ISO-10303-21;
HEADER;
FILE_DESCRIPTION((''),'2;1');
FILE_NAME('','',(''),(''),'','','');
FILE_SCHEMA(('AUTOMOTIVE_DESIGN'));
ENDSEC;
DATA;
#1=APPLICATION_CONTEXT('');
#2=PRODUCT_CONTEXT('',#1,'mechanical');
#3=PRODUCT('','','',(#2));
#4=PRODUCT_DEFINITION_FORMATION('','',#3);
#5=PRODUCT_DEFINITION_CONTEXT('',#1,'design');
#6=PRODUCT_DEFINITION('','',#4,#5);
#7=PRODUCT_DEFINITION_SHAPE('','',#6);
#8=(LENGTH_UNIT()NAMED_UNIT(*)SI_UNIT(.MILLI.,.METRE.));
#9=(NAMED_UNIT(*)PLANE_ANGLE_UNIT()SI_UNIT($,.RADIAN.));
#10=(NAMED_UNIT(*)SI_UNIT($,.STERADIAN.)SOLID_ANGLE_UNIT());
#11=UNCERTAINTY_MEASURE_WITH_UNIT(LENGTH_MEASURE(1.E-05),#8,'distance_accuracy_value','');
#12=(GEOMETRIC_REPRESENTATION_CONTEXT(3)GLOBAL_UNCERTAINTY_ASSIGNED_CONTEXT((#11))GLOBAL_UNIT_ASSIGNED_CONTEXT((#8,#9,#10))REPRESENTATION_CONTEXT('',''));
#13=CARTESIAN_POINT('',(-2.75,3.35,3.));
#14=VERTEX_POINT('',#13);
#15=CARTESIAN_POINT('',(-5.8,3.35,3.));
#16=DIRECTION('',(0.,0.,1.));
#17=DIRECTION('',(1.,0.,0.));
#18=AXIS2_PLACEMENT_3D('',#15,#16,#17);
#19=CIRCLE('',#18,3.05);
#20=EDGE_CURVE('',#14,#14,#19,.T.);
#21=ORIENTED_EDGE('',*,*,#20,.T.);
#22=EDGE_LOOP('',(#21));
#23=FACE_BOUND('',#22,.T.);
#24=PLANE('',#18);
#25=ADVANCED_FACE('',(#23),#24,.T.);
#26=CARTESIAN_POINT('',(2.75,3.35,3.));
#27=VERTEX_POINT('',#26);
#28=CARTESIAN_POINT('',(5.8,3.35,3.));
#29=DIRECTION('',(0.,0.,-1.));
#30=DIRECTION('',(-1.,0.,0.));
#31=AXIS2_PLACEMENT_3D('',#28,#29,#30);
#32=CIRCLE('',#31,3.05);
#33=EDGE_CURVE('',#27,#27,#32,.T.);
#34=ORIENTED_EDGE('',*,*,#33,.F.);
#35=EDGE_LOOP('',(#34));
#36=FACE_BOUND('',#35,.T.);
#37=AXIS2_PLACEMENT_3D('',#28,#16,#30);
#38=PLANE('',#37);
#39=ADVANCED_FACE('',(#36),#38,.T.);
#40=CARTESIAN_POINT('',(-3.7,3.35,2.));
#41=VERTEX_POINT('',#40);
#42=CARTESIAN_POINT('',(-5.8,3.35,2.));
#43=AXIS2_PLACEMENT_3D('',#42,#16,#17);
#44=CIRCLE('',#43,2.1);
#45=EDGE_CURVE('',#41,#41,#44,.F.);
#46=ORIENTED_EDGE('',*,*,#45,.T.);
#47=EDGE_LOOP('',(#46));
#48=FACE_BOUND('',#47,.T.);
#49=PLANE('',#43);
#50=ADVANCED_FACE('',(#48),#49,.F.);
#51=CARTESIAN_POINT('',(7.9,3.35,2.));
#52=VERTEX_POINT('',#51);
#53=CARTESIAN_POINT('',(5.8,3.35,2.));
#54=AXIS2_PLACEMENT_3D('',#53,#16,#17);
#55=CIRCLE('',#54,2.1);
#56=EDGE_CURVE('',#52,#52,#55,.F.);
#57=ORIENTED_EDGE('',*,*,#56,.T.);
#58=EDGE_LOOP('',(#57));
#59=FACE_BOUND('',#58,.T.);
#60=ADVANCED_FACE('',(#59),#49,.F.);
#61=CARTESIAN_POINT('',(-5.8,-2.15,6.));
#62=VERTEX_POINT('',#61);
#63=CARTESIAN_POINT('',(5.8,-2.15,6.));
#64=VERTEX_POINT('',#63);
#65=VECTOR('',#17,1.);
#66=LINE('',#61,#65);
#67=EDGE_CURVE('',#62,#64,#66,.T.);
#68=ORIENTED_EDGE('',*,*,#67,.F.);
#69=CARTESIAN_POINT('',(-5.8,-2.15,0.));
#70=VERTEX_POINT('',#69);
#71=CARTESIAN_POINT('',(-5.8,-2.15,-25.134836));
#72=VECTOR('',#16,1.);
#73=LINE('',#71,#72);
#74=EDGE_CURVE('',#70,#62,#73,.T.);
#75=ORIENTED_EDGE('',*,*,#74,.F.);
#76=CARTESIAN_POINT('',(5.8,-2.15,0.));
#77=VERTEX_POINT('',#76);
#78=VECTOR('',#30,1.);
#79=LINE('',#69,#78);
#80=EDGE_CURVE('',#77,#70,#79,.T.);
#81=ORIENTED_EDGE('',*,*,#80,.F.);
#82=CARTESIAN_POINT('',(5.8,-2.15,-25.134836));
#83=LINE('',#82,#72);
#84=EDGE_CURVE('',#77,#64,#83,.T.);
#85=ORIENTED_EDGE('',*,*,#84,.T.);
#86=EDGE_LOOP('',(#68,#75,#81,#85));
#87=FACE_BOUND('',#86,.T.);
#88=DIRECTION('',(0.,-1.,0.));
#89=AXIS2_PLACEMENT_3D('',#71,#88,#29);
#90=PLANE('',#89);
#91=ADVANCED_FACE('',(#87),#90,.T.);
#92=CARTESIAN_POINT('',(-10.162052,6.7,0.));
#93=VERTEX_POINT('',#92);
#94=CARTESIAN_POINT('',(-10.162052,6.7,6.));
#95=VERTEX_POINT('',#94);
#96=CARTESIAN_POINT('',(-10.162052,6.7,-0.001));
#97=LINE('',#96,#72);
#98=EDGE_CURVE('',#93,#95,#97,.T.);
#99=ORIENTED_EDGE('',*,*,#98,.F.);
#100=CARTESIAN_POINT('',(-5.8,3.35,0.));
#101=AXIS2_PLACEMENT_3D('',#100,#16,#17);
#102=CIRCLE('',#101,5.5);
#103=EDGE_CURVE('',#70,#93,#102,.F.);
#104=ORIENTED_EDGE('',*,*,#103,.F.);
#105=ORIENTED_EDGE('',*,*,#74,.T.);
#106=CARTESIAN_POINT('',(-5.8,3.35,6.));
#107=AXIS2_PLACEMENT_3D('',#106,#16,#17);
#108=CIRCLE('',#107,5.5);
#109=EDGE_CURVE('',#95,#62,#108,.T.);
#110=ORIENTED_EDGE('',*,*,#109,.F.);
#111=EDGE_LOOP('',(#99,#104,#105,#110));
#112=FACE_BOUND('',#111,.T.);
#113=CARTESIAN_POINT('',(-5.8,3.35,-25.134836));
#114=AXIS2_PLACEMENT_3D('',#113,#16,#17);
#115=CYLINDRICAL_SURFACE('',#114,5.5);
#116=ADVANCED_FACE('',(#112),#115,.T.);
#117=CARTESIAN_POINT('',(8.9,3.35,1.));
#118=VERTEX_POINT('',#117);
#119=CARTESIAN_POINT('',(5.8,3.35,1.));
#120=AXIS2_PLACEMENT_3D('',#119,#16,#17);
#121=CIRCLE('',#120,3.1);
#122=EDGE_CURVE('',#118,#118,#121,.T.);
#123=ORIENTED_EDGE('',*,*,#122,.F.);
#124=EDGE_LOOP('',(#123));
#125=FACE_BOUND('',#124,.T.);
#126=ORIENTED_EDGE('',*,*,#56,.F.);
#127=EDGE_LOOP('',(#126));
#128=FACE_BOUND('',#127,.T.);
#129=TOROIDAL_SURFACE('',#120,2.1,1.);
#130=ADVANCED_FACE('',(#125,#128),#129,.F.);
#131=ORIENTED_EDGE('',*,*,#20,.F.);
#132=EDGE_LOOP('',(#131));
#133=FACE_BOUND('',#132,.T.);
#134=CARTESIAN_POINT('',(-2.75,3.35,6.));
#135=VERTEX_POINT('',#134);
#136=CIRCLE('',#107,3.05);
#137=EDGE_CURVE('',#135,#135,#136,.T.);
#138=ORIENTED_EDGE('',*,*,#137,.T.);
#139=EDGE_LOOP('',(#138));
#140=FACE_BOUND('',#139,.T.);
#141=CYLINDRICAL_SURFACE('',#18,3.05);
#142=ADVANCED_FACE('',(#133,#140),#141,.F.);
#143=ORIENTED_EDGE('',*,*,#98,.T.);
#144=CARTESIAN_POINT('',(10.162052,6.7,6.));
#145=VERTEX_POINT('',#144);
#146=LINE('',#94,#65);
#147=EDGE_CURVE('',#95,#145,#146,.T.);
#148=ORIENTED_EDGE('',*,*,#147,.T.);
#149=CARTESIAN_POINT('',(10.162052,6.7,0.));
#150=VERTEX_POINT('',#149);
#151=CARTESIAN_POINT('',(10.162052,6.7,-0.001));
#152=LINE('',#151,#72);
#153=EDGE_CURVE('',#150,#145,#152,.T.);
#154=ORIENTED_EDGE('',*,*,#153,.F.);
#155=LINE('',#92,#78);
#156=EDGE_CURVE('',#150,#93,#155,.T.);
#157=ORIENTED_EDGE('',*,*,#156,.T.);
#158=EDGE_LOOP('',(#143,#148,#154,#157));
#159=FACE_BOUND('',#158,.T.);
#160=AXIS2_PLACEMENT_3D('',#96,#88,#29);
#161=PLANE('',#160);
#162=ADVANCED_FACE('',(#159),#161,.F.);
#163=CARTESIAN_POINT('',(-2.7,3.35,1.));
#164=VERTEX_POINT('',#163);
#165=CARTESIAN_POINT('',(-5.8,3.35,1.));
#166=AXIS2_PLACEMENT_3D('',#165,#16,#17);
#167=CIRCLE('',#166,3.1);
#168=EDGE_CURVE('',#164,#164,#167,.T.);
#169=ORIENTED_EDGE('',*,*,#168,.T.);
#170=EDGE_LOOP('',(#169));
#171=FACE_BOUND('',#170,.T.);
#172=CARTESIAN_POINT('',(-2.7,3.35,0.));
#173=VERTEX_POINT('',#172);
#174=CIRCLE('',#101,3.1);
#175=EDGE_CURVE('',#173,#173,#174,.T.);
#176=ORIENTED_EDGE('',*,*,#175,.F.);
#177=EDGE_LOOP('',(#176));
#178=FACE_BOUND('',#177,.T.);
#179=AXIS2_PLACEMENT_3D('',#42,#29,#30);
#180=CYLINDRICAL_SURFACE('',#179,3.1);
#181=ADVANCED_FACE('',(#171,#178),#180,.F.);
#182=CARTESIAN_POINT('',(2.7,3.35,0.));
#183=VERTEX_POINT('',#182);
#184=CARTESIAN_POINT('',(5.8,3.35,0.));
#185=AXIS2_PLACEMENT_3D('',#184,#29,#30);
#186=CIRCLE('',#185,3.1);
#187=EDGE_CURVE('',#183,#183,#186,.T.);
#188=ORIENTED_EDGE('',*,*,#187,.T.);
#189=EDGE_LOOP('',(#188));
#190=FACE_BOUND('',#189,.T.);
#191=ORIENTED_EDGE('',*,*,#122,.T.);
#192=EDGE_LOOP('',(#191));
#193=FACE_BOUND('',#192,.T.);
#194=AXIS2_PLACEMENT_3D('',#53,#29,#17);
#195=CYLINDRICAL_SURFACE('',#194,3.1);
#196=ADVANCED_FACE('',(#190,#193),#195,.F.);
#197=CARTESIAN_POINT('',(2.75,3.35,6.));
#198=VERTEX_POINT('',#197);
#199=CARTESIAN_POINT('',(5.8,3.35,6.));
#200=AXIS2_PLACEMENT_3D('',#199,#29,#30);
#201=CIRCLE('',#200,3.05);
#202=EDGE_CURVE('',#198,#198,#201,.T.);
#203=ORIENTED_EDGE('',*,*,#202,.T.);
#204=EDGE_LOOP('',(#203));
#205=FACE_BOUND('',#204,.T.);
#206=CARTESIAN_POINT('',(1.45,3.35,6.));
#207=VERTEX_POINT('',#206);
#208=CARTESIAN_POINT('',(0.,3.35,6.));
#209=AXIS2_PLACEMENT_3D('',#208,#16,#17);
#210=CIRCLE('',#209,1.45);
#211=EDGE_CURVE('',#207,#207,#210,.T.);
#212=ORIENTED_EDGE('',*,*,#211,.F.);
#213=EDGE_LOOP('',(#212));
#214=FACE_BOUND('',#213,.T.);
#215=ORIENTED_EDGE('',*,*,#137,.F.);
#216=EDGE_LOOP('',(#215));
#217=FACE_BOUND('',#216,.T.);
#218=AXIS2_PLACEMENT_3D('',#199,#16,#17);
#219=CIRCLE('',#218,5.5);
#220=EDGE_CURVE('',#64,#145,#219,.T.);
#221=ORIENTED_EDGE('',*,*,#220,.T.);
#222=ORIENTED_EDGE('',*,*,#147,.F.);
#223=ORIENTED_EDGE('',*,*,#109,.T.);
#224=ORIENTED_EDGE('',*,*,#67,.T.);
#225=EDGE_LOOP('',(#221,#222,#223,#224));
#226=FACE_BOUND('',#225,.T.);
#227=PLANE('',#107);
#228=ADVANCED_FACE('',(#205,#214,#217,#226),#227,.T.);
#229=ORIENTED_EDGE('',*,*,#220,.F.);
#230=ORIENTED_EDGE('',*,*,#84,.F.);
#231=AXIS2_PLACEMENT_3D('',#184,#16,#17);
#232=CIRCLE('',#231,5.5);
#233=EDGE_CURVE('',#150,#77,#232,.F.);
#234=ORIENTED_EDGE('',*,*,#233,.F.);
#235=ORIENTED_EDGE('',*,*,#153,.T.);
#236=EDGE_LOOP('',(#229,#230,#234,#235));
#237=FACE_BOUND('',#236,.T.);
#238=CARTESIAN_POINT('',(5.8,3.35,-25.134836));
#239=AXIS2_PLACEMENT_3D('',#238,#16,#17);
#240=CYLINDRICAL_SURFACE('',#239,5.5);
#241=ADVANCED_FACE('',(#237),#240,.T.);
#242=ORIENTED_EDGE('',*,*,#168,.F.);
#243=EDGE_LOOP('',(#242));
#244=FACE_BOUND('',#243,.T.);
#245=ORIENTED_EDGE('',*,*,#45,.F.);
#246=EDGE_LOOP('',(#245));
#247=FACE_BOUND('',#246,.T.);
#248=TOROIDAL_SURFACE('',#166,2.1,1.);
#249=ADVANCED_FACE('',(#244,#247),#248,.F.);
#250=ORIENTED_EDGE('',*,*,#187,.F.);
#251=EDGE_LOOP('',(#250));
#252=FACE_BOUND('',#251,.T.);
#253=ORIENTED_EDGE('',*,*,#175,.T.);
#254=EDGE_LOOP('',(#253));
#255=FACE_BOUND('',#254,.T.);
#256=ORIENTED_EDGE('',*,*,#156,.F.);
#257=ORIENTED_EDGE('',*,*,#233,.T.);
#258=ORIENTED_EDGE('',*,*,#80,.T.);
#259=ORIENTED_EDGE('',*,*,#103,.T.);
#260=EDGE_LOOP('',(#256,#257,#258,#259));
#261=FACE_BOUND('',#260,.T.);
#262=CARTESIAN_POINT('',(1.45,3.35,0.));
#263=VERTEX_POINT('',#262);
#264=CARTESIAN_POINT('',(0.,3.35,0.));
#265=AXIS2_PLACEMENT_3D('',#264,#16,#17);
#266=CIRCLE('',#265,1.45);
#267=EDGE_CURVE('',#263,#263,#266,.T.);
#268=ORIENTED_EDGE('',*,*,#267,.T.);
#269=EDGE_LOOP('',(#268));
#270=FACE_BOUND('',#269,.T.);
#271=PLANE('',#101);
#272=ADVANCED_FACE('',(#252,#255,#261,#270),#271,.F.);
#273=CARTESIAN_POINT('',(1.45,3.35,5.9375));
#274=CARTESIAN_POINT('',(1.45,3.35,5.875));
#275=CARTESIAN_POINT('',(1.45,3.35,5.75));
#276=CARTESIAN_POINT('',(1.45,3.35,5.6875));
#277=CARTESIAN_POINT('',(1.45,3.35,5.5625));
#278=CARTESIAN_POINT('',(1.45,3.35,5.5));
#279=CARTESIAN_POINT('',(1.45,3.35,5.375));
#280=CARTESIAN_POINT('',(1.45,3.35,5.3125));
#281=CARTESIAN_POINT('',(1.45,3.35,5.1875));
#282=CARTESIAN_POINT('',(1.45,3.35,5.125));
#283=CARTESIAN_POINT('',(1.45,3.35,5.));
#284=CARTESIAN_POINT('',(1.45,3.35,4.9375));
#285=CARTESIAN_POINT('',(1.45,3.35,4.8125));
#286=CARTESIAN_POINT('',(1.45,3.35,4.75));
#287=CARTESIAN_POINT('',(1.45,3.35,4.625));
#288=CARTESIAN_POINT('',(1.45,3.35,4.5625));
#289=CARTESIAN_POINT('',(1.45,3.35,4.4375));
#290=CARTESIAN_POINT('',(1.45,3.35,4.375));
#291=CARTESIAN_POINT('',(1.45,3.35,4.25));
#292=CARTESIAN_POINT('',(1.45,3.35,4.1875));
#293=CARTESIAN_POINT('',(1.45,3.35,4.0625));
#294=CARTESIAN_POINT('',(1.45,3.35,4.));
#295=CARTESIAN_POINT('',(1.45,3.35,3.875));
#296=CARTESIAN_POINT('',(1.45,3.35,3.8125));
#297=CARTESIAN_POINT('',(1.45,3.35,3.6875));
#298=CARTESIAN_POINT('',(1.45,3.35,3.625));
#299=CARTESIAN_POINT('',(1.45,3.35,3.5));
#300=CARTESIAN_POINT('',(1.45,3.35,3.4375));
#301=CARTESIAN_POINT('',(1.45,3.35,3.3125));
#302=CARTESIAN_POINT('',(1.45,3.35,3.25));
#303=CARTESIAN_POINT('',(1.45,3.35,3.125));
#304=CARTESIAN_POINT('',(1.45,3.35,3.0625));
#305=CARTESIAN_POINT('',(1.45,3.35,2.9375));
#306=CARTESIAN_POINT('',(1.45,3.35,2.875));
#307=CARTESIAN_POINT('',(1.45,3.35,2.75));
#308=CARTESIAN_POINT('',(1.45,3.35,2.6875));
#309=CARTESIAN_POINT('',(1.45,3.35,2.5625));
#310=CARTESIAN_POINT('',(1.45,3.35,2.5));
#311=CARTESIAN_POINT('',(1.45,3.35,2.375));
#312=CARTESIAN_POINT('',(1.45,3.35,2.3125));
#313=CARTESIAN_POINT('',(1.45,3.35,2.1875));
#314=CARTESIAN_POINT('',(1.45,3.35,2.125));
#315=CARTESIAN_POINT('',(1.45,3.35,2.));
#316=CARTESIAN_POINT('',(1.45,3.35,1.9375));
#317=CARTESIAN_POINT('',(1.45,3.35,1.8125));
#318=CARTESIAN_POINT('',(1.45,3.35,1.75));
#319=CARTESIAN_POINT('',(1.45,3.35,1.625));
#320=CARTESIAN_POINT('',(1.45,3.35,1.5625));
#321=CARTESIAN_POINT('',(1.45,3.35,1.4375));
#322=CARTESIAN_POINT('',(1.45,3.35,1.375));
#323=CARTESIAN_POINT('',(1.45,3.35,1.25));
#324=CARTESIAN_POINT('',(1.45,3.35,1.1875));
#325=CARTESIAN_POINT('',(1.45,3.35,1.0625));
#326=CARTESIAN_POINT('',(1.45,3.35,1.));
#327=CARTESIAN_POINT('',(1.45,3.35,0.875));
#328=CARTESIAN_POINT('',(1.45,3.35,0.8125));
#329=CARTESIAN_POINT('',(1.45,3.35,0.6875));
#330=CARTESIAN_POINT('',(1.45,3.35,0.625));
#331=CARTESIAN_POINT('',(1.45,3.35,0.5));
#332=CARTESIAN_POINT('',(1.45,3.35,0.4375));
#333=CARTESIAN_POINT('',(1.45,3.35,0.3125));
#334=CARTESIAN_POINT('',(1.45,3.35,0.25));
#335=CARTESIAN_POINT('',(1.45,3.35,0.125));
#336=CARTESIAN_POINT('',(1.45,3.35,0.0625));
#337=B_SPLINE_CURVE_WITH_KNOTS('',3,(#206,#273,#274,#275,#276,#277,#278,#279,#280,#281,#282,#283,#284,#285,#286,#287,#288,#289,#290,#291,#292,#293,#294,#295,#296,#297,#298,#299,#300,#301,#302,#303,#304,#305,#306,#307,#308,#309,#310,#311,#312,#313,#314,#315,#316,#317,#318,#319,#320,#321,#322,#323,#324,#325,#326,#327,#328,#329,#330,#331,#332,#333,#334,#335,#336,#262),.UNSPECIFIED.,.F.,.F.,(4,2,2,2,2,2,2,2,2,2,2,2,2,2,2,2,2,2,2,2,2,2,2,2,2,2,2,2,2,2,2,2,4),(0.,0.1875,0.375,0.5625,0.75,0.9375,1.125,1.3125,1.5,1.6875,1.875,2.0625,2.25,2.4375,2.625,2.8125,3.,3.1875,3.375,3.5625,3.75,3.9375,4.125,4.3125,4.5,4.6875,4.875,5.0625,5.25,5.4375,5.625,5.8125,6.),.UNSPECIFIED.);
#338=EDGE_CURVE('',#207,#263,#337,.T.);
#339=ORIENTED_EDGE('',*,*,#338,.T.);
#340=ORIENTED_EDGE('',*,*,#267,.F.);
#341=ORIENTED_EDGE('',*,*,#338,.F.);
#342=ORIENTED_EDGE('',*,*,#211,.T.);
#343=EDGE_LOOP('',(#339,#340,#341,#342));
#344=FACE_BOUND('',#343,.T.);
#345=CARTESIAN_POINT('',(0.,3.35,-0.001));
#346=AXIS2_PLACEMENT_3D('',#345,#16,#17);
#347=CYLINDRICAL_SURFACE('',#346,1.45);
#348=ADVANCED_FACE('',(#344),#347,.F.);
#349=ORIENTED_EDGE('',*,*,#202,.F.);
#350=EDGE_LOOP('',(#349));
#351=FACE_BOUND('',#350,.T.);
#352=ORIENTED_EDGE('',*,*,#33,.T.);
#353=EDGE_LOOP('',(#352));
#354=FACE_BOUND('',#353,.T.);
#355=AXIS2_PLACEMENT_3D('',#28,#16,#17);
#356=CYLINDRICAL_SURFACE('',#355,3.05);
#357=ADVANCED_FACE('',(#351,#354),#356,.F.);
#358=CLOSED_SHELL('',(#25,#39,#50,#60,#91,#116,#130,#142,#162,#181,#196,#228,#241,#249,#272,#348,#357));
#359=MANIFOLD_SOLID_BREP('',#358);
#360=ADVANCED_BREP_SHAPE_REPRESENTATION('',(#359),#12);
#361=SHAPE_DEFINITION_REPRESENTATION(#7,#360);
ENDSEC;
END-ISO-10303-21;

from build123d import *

# Parameters (mm, degrees)
SKETCH1_R           = 3.5
SKETCH1_R_2         = 3.1
EXTRUDE_THIN1_DEPTH = 2
BOSS_EXTRUDE1_DEPTH = 4
SKETCH3_R           = 3.05
CUT_EXTRUDE1_DEPTH  = 3
CUT_EXTRUDE2_REACH  = 15.016
SKETCH4_R           = 1.45
BOSS_EXTRUDE2_START = 2
SKETCH5_R           = 1.45
BOSS_EXTRUDE2_DEPTH = 2
FILLET1_R           = 1
EXTRUDE_THIN2_START = -6
EXTRUDE_THIN2_DEPTH = 6
CUT_EXTRUDE3_REACH  = 17.557


with BuildPart() as part:
    # Sketch1 → Extrude-Thin1 (new body)
    with BuildSketch(Plane.XY):
        with Locations((-5.8, 3.35)):
            Circle(SKETCH1_R)
        with Locations((-5.8, 3.35)):
            Circle(SKETCH1_R_2, mode=Mode.SUBTRACT)
    extrude(amount=EXTRUDE_THIN1_DEPTH)


with BuildPart() as body_2:
    # Mirror3: mirrored copy
    add(part.part.mirror(Plane(origin=(0, 0, 0), x_dir=(0, 0, 1), z_dir=(1, 0, 0))))


with BuildPart() as part_1:
    add(part.part)

    add(body_2.part)  # Boss-Extrude1 merges body 2
    # Sketch2 → Boss-Extrude1 (add)
    with BuildSketch(Plane.XY.offset(2)):
        with BuildLine():
            Line((-5.8, 6.85), (5.8, 6.85))
            ThreePointArc((5.8, 6.85), (9.3, 3.35), (5.8, -0.15))
            Line((5.8, -0.15), (-5.8, -0.15))
            ThreePointArc((-5.8, -0.15), (-9.3, 3.35), (-5.8, 6.85))
        make_face()
    extrude(amount=BOSS_EXTRUDE1_DEPTH)

    # Sketch3 → Cut-Extrude1 (cut)
    with BuildSketch(Plane.XY.offset(6)):
        with Locations((-5.8, 3.35)):
            Circle(SKETCH3_R)
    cut_extrude1 = extrude(amount=-CUT_EXTRUDE1_DEPTH, mode=Mode.SUBTRACT)

    # Mirror4: Cut-Extrude1 across plane
    add(cut_extrude1.mirror(Plane(origin=(0, 0, 0), x_dir=(0, 0, 1), z_dir=(1, 0, 0))), mode=Mode.SUBTRACT)

    # Sketch4 → Cut-Extrude2 (cut, up to next)
    with BuildSketch(Plane.XY.offset(6), mode=Mode.PRIVATE) as cut_extrude2_sk1:
        with Locations((0, 3.35)):
            Circle(SKETCH4_R)
    cut_extrude2_tool1 = extrude(cut_extrude2_sk1.sketch, amount=-CUT_EXTRUDE2_REACH, mode=Mode.PRIVATE) & part_1.part
    add(cut_extrude2_tool1.solids().sort_by_distance((0, 3.35, 6))[0], mode=Mode.SUBTRACT)

    # Sketch5 → Boss-Extrude2 (add)
    with BuildSketch(Plane(origin=(0, 0, 2), x_dir=(-1, 0, 0), z_dir=(0, 0, -1)).offset(BOSS_EXTRUDE2_START)):
        with BuildLine():
            Line((-5.8, -0.15), (5.8, -0.15))
            ThreePointArc((5.8, -0.15), (2.3, 3.35), (5.8, 6.85))
            Line((5.8, 6.85), (-5.8, 6.85))
            ThreePointArc((-5.8, 6.85), (-2.3, 3.35), (-5.8, -0.15))
        make_face()
        with Locations(Location((0, 3.35, 0), (0, 0, 180))):
            Circle(SKETCH5_R, mode=Mode.SUBTRACT)
    extrude(amount=-BOSS_EXTRUDE2_DEPTH)

    # Fillet1
    fillet1_edges = [part_1.edges().sort_by_distance(p)[0] for p in [
        (-8.9, 3.35, 2),
        (8.9, 3.35, 2),
    ]]
    fillet(fillet1_edges, radius=FILLET1_R)

    # Sketch6 → Extrude-Thin2 (add)
    with BuildSketch(Plane.XY.offset(6).offset(EXTRUDE_THIN2_START)):
        with BuildLine():
            Line((5.8, 8.85), (-5.8, 8.85))
            ThreePointArc((-5.8, 8.85), (-11.3, 3.35), (-5.8, -2.15))
            Line((-5.8, -2.15), (5.8, -2.15))
            ThreePointArc((5.8, -2.15), (11.3, 3.35), (5.8, 8.85))
        make_face()
        with BuildLine():
            Line((5.8, 6.85), (-5.8, 6.85))
            ThreePointArc((-5.8, 6.85), (-9.3, 3.35), (-5.8, -0.15))
            Line((-5.8, -0.15), (5.8, -0.15))
            ThreePointArc((5.8, -0.15), (9.3, 3.35), (5.8, 6.85))
        make_face(mode=Mode.SUBTRACT)
    extrude(amount=EXTRUDE_THIN2_DEPTH)

    # Sketch7 → Cut-Extrude3 (cut, up to next)
    with BuildSketch(Plane.XY.offset(6), mode=Mode.PRIVATE) as cut_extrude3_sk1:
        with BuildLine():
            Line((-10.162052269, 6.7), (10.162052269, 6.7))
            ThreePointArc((10.162052269, 6.7), (8.231563283, 8.28330518), (5.8, 8.85))
            Line((5.8, 8.85), (-5.8, 8.85))
            ThreePointArc((-5.8, 8.85), (-8.231563283, 8.28330518), (-10.162052269, 6.7))
        make_face()
    cut_extrude3_tool1 = extrude(cut_extrude3_sk1.sketch, amount=-CUT_EXTRUDE3_REACH, mode=Mode.PRIVATE) & part_1.part
    add(cut_extrude3_tool1.solids().sort_by_distance((0, 7.706585, 6))[0], mode=Mode.SUBTRACT)


solid = part_1.part
